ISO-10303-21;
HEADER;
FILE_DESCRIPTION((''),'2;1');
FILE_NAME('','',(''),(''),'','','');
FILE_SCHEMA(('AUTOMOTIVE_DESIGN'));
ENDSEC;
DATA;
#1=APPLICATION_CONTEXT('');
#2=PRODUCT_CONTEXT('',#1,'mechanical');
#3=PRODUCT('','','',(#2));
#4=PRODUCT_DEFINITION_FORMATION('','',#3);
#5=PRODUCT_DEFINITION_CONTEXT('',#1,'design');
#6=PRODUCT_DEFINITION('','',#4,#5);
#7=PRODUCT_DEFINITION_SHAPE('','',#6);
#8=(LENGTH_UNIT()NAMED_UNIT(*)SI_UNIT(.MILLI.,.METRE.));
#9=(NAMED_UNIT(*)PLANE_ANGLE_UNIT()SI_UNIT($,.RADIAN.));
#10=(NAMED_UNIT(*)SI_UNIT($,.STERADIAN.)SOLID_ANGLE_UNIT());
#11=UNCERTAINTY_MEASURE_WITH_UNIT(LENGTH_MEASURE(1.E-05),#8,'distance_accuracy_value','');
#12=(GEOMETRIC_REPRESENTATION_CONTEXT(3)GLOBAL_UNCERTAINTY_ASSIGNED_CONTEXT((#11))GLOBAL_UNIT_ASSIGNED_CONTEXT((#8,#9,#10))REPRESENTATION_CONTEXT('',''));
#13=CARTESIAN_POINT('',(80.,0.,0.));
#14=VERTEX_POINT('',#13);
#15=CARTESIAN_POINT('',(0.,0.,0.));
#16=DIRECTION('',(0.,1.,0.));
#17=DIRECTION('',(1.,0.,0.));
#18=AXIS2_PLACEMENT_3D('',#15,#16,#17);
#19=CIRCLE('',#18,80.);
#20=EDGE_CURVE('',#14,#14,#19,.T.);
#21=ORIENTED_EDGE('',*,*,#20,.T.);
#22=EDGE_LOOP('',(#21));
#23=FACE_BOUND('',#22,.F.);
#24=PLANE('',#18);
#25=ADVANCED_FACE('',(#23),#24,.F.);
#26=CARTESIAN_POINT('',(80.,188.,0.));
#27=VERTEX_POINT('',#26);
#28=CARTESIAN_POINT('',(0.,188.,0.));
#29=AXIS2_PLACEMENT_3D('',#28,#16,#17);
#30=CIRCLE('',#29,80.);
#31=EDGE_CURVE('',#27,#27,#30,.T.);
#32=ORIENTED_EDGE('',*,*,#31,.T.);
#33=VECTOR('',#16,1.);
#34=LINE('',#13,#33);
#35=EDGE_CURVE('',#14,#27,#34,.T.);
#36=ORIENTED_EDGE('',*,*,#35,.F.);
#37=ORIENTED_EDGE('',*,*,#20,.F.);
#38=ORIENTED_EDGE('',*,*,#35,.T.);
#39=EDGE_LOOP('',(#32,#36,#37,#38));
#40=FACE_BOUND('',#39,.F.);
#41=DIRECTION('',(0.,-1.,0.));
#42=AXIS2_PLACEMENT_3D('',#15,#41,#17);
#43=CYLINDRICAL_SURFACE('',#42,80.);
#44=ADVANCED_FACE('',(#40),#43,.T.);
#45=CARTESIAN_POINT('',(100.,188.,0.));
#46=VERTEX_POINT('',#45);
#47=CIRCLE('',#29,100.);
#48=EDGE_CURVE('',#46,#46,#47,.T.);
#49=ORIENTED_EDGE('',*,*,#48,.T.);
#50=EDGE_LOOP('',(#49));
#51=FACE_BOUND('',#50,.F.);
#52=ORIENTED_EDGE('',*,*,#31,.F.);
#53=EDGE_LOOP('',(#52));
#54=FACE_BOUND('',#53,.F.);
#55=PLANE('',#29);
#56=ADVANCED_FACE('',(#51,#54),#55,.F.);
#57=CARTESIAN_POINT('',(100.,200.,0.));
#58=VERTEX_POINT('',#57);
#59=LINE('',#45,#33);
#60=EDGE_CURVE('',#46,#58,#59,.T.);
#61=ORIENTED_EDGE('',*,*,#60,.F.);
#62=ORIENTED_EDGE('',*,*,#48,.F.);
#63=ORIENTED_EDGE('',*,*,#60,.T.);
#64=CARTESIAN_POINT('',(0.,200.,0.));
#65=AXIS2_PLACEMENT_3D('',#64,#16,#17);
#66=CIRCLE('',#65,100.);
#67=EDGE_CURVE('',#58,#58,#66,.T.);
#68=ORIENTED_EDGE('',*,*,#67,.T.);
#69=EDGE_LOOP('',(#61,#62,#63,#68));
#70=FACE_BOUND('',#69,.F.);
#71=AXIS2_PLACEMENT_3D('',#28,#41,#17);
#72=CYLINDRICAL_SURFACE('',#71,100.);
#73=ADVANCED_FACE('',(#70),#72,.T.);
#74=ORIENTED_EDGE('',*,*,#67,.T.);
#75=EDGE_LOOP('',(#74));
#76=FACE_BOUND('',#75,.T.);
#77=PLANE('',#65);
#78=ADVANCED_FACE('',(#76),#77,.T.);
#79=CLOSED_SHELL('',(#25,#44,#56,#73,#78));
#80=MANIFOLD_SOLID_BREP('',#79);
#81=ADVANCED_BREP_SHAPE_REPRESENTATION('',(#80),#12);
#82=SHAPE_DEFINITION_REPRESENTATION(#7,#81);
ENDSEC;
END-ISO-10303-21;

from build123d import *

# Parameters (mm, degrees)
SKETCH_1_R      = 80
EXTRUDE_1_DEPTH = 188
SKETCH_2_R      = 100
EXTRUDE_2_DEPTH = 12


with BuildPart() as part:
    # Эскиз1 → Бобышка-Вытянуть1 (new body)
    with BuildSketch(Plane(origin=(0, 0, 0), x_dir=(1, 0, 0), z_dir=(0, 1, 0))):
        Circle(SKETCH_1_R)
    extrude(amount=EXTRUDE_1_DEPTH)

    # Эскиз2 → Бобышка-Вытянуть2 (add)
    with BuildSketch(Plane(origin=(0, 188, 0), x_dir=(1, 0, 0), z_dir=(0, 1, 0))):
        Circle(SKETCH_2_R)
    extrude(amount=EXTRUDE_2_DEPTH)


solid = part.part
